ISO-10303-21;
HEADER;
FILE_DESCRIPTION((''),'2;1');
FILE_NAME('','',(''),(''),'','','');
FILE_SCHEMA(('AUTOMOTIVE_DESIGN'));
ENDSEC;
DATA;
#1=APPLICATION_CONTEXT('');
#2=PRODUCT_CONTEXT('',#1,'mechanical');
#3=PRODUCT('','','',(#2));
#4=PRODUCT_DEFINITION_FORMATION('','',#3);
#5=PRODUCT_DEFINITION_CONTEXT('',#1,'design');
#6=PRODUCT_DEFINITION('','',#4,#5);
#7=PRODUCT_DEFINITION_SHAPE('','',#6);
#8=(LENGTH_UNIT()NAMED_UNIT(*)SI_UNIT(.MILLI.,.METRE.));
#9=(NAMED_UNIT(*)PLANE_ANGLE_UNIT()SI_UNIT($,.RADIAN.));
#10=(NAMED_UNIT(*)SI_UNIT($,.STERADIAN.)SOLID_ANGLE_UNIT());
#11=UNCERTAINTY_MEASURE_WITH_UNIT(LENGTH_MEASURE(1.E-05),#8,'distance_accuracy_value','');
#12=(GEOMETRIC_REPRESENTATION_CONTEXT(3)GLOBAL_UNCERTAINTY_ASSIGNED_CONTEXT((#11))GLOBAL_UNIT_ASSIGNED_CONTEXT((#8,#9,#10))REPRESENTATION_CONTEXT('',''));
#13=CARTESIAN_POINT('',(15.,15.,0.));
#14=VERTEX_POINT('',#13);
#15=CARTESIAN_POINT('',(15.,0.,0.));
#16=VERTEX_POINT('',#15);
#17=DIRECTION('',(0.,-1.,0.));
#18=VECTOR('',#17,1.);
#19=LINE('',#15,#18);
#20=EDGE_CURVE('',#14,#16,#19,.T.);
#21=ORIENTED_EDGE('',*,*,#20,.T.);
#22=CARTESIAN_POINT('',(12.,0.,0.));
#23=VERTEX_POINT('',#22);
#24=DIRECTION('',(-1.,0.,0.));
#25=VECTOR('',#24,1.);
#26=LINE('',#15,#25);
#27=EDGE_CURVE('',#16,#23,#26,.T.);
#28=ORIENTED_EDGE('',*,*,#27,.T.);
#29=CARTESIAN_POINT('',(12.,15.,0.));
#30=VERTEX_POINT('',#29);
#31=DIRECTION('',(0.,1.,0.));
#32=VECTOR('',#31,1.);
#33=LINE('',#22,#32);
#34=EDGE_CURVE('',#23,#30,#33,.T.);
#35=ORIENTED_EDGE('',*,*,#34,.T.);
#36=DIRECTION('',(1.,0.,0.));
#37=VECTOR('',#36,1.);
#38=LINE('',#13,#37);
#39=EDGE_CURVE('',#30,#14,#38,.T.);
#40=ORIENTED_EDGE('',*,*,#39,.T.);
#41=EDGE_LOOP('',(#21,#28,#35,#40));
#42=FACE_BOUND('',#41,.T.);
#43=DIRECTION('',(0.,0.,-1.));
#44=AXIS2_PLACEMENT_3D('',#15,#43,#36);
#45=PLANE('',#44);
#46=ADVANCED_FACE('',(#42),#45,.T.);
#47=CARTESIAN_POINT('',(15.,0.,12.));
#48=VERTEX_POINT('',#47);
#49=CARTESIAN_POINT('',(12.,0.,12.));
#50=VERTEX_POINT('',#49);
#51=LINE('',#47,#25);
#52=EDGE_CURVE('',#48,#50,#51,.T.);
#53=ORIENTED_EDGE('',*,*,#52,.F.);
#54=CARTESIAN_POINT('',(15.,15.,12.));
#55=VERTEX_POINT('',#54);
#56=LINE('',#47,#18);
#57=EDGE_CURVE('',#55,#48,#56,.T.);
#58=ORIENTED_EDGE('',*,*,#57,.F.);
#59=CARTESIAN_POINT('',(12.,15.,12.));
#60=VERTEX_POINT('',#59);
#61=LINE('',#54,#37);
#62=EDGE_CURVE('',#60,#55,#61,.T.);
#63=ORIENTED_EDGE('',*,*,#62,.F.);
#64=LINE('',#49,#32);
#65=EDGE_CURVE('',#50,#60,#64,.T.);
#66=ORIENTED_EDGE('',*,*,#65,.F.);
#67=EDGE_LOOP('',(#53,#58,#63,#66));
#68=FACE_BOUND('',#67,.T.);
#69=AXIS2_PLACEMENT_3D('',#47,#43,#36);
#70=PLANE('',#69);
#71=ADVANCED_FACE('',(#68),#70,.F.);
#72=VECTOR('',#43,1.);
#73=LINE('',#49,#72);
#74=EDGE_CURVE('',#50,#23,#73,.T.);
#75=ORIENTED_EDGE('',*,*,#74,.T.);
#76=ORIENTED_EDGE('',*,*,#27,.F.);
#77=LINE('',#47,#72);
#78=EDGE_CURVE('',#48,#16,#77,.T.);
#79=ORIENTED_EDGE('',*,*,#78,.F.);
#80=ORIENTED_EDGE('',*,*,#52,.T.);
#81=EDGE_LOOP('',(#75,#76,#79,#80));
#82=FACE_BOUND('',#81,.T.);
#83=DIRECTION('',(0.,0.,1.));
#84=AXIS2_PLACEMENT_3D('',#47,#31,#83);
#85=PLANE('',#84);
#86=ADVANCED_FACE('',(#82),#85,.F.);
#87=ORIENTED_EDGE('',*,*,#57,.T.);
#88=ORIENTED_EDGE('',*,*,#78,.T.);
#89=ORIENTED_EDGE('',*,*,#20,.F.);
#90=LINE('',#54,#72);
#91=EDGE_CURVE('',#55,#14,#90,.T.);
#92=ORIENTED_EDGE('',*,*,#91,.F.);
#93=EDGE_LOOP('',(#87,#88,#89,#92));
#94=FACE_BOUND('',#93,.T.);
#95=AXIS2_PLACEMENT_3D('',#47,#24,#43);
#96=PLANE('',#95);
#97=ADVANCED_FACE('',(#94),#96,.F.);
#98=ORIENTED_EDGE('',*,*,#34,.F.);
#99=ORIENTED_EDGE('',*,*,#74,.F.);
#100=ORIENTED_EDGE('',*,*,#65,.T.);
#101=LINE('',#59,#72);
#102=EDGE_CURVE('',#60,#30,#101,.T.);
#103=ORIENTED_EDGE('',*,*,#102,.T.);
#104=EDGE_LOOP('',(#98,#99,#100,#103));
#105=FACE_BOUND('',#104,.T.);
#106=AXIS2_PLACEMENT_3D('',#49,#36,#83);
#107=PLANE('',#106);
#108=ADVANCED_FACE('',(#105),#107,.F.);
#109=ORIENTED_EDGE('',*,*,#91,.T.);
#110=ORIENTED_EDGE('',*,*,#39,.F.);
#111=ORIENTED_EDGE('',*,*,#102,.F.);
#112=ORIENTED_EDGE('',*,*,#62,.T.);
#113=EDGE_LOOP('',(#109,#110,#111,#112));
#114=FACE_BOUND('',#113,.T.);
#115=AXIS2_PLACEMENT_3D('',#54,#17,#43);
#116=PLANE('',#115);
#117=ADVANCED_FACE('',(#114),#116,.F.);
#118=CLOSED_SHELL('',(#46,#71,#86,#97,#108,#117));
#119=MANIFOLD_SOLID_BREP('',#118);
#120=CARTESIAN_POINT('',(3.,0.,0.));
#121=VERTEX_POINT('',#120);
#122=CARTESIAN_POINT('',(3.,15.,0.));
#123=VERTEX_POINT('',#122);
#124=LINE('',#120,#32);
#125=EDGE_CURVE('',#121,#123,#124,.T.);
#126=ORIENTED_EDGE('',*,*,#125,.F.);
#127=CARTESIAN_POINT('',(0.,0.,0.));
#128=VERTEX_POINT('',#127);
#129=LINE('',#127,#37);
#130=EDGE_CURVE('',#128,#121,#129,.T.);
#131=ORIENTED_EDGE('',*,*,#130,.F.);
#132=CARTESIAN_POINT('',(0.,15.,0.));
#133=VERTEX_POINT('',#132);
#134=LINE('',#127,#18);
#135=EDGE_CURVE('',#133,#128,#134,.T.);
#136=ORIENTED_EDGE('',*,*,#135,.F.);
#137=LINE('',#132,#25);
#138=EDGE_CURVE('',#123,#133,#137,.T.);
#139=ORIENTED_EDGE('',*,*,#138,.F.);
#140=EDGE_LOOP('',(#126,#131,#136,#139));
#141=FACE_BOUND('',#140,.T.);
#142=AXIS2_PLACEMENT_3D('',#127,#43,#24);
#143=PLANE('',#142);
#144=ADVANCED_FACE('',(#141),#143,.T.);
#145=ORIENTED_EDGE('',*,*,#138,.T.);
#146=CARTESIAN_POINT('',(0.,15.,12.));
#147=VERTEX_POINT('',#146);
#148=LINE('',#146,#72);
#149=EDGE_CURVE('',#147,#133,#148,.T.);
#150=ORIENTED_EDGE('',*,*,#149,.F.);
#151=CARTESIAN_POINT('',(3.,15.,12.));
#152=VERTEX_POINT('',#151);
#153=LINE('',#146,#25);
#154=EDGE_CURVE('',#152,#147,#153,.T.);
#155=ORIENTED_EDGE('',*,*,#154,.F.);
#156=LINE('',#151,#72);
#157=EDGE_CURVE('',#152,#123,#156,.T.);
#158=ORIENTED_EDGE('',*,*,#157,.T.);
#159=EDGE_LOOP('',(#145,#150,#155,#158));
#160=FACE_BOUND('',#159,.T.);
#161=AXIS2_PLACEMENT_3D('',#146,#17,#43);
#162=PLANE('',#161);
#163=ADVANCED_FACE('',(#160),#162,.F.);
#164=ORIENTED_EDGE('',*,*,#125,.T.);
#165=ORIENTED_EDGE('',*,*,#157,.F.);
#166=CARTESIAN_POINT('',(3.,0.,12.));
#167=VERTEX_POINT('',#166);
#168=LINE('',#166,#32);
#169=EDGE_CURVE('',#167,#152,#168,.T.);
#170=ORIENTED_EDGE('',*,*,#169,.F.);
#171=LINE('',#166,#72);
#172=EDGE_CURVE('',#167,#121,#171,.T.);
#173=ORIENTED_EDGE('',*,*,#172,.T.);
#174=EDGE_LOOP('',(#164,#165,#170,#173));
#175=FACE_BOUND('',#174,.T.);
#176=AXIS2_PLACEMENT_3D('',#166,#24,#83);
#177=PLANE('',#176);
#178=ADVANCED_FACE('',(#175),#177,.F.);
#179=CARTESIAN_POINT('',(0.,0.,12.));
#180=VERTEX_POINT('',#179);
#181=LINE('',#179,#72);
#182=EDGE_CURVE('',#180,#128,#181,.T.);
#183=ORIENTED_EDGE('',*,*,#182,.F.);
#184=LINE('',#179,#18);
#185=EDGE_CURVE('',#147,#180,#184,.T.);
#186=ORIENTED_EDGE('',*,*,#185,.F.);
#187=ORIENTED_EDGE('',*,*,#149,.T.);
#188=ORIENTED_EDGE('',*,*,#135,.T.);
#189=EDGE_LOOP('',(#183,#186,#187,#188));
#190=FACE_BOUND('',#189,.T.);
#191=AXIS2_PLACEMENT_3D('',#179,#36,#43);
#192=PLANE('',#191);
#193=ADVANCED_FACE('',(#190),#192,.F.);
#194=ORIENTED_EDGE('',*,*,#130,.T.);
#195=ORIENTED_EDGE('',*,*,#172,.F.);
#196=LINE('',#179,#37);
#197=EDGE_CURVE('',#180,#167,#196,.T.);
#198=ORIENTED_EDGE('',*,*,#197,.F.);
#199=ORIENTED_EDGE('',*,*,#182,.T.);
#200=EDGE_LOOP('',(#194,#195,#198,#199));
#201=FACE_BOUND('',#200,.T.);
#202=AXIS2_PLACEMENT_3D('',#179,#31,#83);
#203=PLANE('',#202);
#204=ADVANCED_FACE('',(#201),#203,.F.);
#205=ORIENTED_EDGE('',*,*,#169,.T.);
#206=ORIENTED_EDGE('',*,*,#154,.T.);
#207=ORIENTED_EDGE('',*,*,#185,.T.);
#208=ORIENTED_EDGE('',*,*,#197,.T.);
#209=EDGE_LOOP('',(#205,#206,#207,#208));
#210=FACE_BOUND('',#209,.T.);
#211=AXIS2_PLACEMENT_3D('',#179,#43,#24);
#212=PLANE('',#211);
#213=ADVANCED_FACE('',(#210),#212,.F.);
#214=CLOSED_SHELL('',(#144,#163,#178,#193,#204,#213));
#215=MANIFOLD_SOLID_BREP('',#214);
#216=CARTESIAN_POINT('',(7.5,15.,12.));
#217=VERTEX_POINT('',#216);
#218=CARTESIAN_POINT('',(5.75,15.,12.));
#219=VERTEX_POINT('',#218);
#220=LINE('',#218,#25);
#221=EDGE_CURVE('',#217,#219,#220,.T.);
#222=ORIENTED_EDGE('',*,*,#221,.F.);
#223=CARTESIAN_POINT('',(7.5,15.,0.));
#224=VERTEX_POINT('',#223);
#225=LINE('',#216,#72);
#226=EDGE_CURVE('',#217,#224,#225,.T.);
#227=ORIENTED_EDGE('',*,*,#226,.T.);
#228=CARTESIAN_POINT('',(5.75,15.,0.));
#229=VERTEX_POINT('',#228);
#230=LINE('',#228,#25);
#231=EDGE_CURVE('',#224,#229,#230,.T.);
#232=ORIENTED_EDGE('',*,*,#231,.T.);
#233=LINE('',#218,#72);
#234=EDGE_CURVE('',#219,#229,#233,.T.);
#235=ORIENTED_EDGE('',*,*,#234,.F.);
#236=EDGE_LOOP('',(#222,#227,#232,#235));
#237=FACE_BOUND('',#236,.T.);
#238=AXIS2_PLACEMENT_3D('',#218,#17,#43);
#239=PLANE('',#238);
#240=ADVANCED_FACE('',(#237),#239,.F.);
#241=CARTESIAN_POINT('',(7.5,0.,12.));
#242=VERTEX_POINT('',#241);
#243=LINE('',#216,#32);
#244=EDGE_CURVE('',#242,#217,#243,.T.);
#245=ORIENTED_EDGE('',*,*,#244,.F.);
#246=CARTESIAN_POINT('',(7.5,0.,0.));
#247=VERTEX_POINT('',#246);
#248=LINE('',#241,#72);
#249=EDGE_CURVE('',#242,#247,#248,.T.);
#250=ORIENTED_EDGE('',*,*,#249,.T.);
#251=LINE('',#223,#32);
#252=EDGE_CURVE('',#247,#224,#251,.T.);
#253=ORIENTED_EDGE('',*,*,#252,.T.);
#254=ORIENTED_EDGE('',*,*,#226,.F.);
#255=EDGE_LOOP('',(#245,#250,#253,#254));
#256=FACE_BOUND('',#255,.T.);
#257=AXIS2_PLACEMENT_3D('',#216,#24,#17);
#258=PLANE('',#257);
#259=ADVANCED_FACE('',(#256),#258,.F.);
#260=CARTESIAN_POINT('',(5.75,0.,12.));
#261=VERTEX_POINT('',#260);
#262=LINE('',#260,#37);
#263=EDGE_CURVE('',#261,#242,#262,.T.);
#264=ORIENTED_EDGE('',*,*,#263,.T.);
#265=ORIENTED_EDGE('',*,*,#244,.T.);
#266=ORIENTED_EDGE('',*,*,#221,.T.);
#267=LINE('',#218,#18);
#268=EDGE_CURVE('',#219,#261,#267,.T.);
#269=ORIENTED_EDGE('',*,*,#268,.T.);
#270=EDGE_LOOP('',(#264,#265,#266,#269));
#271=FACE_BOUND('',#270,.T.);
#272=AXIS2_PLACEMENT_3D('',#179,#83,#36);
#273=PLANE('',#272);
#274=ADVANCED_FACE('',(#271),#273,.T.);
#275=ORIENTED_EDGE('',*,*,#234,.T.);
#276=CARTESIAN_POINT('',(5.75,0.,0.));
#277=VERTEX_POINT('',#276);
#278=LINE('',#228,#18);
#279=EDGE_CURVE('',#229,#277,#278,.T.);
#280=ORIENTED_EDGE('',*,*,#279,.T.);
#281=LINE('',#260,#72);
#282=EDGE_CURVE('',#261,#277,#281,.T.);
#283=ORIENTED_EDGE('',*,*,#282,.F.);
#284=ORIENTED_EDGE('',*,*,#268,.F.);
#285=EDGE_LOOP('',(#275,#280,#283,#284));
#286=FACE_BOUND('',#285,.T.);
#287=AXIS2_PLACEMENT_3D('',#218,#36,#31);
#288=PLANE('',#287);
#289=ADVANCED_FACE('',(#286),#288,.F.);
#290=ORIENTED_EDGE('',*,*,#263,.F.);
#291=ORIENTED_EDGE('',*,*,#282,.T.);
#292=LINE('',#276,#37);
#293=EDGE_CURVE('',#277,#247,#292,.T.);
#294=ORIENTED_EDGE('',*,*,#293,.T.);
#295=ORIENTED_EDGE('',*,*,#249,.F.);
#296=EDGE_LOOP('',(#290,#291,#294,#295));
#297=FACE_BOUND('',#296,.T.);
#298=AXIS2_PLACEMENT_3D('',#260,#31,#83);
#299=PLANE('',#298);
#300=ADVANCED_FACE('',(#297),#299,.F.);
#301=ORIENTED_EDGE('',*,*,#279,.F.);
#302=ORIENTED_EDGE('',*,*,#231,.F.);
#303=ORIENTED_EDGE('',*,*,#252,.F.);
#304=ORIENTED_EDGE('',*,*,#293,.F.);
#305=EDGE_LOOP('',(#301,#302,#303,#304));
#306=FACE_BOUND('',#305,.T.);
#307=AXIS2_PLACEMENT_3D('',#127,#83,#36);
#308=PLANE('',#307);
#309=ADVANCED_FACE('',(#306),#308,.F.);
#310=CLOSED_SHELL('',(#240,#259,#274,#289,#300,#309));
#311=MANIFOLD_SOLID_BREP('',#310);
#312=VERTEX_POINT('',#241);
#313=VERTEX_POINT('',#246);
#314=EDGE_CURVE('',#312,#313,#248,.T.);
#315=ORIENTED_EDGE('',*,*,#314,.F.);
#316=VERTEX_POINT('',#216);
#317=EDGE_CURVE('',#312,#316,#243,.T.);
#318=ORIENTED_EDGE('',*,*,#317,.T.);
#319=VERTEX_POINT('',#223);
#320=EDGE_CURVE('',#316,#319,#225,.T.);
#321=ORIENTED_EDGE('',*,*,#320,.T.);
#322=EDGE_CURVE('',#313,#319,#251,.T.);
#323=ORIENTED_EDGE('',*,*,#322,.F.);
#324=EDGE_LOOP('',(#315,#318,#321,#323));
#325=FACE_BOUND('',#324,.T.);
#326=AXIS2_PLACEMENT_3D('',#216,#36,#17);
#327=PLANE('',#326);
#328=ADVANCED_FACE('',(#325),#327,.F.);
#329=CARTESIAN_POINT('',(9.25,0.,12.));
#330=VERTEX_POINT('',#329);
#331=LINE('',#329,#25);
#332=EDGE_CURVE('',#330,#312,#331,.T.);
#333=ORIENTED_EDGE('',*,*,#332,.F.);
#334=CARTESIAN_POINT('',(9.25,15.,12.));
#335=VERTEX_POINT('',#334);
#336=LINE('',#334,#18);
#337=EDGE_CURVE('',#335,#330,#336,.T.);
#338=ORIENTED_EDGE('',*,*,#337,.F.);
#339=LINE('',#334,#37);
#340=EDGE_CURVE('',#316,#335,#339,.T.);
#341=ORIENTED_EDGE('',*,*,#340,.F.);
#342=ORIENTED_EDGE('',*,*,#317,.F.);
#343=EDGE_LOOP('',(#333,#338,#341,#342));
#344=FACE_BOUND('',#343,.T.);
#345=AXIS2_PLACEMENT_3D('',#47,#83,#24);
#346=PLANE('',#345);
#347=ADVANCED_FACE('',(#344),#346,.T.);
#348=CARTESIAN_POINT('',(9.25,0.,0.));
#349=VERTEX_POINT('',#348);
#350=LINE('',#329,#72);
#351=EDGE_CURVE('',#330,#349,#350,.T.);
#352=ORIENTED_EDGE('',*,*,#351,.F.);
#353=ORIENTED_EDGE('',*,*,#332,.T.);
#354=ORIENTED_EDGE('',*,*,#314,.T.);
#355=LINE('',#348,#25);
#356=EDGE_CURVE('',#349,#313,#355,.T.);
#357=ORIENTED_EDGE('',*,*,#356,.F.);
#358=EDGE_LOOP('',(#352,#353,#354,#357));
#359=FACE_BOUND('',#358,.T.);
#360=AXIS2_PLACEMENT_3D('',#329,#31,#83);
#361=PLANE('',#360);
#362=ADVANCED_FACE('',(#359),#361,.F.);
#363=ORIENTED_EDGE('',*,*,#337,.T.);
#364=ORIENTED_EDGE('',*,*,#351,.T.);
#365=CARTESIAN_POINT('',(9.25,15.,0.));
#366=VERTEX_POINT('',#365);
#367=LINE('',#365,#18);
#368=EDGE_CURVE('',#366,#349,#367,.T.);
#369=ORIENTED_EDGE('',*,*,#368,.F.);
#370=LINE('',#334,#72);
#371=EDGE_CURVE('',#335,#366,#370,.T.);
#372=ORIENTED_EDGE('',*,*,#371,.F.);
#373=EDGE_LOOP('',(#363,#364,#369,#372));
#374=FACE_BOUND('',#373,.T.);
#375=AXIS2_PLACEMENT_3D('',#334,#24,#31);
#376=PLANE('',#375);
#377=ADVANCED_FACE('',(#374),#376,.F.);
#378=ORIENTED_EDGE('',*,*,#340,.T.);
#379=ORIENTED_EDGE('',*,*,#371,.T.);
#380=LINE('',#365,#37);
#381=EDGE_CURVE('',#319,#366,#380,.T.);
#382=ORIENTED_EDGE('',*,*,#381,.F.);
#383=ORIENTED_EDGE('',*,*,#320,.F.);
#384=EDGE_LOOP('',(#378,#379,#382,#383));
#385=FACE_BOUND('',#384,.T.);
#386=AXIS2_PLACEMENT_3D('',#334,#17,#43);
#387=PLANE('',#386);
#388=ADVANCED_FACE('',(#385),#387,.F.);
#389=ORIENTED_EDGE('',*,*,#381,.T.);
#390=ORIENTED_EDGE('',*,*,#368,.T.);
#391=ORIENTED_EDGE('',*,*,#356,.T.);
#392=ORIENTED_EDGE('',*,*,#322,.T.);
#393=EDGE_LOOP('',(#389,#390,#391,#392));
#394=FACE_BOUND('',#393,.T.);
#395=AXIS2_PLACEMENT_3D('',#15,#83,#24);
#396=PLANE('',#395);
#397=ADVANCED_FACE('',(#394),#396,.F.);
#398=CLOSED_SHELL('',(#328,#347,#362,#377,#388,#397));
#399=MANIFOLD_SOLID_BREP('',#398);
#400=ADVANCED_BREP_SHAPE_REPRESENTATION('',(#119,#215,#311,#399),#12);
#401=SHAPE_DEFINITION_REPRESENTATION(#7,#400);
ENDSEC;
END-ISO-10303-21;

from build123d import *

# Parameters (mm, degrees)
SKETCH1_W             = 3
SKETCH1_H             = 15
BOSS_EXTRUDE1_DEPTH   = 12
SKETCH1_W_2           = 1.75
BOSS_EXTRUDE1_2_DEPTH = 12


with BuildPart() as part:
    # Sketch1 → Boss-Extrude1 (new body)
    with BuildSketch(Plane.XY):
        with Locations((1.5, 7.5)):
            Rectangle(SKETCH1_W, SKETCH1_H)
    extrude(amount=BOSS_EXTRUDE1_DEPTH)


with BuildPart() as body_2:
    # Sketch1 → Boss-Extrude1 2 (new body)
    with BuildSketch(Plane.XY):
        with Locations((6.625, 7.5)):
            Rectangle(SKETCH1_W_2, SKETCH1_H)
    extrude(amount=BOSS_EXTRUDE1_2_DEPTH)


with BuildPart() as body_3:
    # Mirror1: mirrored copy
    add(body_2.part.mirror(Plane(origin=(7.5, 15, 12), x_dir=(0, 0, 1), z_dir=(-1, 0, 0))))


with BuildPart() as body_4:
    # Mirror1 2: mirrored copy
    add(part.part.mirror(Plane(origin=(7.5, 15, 12), x_dir=(0, 0, 1), z_dir=(-1, 0, 0))))


solid = Compound([part.part, body_2.part, body_3.part, body_4.part])
